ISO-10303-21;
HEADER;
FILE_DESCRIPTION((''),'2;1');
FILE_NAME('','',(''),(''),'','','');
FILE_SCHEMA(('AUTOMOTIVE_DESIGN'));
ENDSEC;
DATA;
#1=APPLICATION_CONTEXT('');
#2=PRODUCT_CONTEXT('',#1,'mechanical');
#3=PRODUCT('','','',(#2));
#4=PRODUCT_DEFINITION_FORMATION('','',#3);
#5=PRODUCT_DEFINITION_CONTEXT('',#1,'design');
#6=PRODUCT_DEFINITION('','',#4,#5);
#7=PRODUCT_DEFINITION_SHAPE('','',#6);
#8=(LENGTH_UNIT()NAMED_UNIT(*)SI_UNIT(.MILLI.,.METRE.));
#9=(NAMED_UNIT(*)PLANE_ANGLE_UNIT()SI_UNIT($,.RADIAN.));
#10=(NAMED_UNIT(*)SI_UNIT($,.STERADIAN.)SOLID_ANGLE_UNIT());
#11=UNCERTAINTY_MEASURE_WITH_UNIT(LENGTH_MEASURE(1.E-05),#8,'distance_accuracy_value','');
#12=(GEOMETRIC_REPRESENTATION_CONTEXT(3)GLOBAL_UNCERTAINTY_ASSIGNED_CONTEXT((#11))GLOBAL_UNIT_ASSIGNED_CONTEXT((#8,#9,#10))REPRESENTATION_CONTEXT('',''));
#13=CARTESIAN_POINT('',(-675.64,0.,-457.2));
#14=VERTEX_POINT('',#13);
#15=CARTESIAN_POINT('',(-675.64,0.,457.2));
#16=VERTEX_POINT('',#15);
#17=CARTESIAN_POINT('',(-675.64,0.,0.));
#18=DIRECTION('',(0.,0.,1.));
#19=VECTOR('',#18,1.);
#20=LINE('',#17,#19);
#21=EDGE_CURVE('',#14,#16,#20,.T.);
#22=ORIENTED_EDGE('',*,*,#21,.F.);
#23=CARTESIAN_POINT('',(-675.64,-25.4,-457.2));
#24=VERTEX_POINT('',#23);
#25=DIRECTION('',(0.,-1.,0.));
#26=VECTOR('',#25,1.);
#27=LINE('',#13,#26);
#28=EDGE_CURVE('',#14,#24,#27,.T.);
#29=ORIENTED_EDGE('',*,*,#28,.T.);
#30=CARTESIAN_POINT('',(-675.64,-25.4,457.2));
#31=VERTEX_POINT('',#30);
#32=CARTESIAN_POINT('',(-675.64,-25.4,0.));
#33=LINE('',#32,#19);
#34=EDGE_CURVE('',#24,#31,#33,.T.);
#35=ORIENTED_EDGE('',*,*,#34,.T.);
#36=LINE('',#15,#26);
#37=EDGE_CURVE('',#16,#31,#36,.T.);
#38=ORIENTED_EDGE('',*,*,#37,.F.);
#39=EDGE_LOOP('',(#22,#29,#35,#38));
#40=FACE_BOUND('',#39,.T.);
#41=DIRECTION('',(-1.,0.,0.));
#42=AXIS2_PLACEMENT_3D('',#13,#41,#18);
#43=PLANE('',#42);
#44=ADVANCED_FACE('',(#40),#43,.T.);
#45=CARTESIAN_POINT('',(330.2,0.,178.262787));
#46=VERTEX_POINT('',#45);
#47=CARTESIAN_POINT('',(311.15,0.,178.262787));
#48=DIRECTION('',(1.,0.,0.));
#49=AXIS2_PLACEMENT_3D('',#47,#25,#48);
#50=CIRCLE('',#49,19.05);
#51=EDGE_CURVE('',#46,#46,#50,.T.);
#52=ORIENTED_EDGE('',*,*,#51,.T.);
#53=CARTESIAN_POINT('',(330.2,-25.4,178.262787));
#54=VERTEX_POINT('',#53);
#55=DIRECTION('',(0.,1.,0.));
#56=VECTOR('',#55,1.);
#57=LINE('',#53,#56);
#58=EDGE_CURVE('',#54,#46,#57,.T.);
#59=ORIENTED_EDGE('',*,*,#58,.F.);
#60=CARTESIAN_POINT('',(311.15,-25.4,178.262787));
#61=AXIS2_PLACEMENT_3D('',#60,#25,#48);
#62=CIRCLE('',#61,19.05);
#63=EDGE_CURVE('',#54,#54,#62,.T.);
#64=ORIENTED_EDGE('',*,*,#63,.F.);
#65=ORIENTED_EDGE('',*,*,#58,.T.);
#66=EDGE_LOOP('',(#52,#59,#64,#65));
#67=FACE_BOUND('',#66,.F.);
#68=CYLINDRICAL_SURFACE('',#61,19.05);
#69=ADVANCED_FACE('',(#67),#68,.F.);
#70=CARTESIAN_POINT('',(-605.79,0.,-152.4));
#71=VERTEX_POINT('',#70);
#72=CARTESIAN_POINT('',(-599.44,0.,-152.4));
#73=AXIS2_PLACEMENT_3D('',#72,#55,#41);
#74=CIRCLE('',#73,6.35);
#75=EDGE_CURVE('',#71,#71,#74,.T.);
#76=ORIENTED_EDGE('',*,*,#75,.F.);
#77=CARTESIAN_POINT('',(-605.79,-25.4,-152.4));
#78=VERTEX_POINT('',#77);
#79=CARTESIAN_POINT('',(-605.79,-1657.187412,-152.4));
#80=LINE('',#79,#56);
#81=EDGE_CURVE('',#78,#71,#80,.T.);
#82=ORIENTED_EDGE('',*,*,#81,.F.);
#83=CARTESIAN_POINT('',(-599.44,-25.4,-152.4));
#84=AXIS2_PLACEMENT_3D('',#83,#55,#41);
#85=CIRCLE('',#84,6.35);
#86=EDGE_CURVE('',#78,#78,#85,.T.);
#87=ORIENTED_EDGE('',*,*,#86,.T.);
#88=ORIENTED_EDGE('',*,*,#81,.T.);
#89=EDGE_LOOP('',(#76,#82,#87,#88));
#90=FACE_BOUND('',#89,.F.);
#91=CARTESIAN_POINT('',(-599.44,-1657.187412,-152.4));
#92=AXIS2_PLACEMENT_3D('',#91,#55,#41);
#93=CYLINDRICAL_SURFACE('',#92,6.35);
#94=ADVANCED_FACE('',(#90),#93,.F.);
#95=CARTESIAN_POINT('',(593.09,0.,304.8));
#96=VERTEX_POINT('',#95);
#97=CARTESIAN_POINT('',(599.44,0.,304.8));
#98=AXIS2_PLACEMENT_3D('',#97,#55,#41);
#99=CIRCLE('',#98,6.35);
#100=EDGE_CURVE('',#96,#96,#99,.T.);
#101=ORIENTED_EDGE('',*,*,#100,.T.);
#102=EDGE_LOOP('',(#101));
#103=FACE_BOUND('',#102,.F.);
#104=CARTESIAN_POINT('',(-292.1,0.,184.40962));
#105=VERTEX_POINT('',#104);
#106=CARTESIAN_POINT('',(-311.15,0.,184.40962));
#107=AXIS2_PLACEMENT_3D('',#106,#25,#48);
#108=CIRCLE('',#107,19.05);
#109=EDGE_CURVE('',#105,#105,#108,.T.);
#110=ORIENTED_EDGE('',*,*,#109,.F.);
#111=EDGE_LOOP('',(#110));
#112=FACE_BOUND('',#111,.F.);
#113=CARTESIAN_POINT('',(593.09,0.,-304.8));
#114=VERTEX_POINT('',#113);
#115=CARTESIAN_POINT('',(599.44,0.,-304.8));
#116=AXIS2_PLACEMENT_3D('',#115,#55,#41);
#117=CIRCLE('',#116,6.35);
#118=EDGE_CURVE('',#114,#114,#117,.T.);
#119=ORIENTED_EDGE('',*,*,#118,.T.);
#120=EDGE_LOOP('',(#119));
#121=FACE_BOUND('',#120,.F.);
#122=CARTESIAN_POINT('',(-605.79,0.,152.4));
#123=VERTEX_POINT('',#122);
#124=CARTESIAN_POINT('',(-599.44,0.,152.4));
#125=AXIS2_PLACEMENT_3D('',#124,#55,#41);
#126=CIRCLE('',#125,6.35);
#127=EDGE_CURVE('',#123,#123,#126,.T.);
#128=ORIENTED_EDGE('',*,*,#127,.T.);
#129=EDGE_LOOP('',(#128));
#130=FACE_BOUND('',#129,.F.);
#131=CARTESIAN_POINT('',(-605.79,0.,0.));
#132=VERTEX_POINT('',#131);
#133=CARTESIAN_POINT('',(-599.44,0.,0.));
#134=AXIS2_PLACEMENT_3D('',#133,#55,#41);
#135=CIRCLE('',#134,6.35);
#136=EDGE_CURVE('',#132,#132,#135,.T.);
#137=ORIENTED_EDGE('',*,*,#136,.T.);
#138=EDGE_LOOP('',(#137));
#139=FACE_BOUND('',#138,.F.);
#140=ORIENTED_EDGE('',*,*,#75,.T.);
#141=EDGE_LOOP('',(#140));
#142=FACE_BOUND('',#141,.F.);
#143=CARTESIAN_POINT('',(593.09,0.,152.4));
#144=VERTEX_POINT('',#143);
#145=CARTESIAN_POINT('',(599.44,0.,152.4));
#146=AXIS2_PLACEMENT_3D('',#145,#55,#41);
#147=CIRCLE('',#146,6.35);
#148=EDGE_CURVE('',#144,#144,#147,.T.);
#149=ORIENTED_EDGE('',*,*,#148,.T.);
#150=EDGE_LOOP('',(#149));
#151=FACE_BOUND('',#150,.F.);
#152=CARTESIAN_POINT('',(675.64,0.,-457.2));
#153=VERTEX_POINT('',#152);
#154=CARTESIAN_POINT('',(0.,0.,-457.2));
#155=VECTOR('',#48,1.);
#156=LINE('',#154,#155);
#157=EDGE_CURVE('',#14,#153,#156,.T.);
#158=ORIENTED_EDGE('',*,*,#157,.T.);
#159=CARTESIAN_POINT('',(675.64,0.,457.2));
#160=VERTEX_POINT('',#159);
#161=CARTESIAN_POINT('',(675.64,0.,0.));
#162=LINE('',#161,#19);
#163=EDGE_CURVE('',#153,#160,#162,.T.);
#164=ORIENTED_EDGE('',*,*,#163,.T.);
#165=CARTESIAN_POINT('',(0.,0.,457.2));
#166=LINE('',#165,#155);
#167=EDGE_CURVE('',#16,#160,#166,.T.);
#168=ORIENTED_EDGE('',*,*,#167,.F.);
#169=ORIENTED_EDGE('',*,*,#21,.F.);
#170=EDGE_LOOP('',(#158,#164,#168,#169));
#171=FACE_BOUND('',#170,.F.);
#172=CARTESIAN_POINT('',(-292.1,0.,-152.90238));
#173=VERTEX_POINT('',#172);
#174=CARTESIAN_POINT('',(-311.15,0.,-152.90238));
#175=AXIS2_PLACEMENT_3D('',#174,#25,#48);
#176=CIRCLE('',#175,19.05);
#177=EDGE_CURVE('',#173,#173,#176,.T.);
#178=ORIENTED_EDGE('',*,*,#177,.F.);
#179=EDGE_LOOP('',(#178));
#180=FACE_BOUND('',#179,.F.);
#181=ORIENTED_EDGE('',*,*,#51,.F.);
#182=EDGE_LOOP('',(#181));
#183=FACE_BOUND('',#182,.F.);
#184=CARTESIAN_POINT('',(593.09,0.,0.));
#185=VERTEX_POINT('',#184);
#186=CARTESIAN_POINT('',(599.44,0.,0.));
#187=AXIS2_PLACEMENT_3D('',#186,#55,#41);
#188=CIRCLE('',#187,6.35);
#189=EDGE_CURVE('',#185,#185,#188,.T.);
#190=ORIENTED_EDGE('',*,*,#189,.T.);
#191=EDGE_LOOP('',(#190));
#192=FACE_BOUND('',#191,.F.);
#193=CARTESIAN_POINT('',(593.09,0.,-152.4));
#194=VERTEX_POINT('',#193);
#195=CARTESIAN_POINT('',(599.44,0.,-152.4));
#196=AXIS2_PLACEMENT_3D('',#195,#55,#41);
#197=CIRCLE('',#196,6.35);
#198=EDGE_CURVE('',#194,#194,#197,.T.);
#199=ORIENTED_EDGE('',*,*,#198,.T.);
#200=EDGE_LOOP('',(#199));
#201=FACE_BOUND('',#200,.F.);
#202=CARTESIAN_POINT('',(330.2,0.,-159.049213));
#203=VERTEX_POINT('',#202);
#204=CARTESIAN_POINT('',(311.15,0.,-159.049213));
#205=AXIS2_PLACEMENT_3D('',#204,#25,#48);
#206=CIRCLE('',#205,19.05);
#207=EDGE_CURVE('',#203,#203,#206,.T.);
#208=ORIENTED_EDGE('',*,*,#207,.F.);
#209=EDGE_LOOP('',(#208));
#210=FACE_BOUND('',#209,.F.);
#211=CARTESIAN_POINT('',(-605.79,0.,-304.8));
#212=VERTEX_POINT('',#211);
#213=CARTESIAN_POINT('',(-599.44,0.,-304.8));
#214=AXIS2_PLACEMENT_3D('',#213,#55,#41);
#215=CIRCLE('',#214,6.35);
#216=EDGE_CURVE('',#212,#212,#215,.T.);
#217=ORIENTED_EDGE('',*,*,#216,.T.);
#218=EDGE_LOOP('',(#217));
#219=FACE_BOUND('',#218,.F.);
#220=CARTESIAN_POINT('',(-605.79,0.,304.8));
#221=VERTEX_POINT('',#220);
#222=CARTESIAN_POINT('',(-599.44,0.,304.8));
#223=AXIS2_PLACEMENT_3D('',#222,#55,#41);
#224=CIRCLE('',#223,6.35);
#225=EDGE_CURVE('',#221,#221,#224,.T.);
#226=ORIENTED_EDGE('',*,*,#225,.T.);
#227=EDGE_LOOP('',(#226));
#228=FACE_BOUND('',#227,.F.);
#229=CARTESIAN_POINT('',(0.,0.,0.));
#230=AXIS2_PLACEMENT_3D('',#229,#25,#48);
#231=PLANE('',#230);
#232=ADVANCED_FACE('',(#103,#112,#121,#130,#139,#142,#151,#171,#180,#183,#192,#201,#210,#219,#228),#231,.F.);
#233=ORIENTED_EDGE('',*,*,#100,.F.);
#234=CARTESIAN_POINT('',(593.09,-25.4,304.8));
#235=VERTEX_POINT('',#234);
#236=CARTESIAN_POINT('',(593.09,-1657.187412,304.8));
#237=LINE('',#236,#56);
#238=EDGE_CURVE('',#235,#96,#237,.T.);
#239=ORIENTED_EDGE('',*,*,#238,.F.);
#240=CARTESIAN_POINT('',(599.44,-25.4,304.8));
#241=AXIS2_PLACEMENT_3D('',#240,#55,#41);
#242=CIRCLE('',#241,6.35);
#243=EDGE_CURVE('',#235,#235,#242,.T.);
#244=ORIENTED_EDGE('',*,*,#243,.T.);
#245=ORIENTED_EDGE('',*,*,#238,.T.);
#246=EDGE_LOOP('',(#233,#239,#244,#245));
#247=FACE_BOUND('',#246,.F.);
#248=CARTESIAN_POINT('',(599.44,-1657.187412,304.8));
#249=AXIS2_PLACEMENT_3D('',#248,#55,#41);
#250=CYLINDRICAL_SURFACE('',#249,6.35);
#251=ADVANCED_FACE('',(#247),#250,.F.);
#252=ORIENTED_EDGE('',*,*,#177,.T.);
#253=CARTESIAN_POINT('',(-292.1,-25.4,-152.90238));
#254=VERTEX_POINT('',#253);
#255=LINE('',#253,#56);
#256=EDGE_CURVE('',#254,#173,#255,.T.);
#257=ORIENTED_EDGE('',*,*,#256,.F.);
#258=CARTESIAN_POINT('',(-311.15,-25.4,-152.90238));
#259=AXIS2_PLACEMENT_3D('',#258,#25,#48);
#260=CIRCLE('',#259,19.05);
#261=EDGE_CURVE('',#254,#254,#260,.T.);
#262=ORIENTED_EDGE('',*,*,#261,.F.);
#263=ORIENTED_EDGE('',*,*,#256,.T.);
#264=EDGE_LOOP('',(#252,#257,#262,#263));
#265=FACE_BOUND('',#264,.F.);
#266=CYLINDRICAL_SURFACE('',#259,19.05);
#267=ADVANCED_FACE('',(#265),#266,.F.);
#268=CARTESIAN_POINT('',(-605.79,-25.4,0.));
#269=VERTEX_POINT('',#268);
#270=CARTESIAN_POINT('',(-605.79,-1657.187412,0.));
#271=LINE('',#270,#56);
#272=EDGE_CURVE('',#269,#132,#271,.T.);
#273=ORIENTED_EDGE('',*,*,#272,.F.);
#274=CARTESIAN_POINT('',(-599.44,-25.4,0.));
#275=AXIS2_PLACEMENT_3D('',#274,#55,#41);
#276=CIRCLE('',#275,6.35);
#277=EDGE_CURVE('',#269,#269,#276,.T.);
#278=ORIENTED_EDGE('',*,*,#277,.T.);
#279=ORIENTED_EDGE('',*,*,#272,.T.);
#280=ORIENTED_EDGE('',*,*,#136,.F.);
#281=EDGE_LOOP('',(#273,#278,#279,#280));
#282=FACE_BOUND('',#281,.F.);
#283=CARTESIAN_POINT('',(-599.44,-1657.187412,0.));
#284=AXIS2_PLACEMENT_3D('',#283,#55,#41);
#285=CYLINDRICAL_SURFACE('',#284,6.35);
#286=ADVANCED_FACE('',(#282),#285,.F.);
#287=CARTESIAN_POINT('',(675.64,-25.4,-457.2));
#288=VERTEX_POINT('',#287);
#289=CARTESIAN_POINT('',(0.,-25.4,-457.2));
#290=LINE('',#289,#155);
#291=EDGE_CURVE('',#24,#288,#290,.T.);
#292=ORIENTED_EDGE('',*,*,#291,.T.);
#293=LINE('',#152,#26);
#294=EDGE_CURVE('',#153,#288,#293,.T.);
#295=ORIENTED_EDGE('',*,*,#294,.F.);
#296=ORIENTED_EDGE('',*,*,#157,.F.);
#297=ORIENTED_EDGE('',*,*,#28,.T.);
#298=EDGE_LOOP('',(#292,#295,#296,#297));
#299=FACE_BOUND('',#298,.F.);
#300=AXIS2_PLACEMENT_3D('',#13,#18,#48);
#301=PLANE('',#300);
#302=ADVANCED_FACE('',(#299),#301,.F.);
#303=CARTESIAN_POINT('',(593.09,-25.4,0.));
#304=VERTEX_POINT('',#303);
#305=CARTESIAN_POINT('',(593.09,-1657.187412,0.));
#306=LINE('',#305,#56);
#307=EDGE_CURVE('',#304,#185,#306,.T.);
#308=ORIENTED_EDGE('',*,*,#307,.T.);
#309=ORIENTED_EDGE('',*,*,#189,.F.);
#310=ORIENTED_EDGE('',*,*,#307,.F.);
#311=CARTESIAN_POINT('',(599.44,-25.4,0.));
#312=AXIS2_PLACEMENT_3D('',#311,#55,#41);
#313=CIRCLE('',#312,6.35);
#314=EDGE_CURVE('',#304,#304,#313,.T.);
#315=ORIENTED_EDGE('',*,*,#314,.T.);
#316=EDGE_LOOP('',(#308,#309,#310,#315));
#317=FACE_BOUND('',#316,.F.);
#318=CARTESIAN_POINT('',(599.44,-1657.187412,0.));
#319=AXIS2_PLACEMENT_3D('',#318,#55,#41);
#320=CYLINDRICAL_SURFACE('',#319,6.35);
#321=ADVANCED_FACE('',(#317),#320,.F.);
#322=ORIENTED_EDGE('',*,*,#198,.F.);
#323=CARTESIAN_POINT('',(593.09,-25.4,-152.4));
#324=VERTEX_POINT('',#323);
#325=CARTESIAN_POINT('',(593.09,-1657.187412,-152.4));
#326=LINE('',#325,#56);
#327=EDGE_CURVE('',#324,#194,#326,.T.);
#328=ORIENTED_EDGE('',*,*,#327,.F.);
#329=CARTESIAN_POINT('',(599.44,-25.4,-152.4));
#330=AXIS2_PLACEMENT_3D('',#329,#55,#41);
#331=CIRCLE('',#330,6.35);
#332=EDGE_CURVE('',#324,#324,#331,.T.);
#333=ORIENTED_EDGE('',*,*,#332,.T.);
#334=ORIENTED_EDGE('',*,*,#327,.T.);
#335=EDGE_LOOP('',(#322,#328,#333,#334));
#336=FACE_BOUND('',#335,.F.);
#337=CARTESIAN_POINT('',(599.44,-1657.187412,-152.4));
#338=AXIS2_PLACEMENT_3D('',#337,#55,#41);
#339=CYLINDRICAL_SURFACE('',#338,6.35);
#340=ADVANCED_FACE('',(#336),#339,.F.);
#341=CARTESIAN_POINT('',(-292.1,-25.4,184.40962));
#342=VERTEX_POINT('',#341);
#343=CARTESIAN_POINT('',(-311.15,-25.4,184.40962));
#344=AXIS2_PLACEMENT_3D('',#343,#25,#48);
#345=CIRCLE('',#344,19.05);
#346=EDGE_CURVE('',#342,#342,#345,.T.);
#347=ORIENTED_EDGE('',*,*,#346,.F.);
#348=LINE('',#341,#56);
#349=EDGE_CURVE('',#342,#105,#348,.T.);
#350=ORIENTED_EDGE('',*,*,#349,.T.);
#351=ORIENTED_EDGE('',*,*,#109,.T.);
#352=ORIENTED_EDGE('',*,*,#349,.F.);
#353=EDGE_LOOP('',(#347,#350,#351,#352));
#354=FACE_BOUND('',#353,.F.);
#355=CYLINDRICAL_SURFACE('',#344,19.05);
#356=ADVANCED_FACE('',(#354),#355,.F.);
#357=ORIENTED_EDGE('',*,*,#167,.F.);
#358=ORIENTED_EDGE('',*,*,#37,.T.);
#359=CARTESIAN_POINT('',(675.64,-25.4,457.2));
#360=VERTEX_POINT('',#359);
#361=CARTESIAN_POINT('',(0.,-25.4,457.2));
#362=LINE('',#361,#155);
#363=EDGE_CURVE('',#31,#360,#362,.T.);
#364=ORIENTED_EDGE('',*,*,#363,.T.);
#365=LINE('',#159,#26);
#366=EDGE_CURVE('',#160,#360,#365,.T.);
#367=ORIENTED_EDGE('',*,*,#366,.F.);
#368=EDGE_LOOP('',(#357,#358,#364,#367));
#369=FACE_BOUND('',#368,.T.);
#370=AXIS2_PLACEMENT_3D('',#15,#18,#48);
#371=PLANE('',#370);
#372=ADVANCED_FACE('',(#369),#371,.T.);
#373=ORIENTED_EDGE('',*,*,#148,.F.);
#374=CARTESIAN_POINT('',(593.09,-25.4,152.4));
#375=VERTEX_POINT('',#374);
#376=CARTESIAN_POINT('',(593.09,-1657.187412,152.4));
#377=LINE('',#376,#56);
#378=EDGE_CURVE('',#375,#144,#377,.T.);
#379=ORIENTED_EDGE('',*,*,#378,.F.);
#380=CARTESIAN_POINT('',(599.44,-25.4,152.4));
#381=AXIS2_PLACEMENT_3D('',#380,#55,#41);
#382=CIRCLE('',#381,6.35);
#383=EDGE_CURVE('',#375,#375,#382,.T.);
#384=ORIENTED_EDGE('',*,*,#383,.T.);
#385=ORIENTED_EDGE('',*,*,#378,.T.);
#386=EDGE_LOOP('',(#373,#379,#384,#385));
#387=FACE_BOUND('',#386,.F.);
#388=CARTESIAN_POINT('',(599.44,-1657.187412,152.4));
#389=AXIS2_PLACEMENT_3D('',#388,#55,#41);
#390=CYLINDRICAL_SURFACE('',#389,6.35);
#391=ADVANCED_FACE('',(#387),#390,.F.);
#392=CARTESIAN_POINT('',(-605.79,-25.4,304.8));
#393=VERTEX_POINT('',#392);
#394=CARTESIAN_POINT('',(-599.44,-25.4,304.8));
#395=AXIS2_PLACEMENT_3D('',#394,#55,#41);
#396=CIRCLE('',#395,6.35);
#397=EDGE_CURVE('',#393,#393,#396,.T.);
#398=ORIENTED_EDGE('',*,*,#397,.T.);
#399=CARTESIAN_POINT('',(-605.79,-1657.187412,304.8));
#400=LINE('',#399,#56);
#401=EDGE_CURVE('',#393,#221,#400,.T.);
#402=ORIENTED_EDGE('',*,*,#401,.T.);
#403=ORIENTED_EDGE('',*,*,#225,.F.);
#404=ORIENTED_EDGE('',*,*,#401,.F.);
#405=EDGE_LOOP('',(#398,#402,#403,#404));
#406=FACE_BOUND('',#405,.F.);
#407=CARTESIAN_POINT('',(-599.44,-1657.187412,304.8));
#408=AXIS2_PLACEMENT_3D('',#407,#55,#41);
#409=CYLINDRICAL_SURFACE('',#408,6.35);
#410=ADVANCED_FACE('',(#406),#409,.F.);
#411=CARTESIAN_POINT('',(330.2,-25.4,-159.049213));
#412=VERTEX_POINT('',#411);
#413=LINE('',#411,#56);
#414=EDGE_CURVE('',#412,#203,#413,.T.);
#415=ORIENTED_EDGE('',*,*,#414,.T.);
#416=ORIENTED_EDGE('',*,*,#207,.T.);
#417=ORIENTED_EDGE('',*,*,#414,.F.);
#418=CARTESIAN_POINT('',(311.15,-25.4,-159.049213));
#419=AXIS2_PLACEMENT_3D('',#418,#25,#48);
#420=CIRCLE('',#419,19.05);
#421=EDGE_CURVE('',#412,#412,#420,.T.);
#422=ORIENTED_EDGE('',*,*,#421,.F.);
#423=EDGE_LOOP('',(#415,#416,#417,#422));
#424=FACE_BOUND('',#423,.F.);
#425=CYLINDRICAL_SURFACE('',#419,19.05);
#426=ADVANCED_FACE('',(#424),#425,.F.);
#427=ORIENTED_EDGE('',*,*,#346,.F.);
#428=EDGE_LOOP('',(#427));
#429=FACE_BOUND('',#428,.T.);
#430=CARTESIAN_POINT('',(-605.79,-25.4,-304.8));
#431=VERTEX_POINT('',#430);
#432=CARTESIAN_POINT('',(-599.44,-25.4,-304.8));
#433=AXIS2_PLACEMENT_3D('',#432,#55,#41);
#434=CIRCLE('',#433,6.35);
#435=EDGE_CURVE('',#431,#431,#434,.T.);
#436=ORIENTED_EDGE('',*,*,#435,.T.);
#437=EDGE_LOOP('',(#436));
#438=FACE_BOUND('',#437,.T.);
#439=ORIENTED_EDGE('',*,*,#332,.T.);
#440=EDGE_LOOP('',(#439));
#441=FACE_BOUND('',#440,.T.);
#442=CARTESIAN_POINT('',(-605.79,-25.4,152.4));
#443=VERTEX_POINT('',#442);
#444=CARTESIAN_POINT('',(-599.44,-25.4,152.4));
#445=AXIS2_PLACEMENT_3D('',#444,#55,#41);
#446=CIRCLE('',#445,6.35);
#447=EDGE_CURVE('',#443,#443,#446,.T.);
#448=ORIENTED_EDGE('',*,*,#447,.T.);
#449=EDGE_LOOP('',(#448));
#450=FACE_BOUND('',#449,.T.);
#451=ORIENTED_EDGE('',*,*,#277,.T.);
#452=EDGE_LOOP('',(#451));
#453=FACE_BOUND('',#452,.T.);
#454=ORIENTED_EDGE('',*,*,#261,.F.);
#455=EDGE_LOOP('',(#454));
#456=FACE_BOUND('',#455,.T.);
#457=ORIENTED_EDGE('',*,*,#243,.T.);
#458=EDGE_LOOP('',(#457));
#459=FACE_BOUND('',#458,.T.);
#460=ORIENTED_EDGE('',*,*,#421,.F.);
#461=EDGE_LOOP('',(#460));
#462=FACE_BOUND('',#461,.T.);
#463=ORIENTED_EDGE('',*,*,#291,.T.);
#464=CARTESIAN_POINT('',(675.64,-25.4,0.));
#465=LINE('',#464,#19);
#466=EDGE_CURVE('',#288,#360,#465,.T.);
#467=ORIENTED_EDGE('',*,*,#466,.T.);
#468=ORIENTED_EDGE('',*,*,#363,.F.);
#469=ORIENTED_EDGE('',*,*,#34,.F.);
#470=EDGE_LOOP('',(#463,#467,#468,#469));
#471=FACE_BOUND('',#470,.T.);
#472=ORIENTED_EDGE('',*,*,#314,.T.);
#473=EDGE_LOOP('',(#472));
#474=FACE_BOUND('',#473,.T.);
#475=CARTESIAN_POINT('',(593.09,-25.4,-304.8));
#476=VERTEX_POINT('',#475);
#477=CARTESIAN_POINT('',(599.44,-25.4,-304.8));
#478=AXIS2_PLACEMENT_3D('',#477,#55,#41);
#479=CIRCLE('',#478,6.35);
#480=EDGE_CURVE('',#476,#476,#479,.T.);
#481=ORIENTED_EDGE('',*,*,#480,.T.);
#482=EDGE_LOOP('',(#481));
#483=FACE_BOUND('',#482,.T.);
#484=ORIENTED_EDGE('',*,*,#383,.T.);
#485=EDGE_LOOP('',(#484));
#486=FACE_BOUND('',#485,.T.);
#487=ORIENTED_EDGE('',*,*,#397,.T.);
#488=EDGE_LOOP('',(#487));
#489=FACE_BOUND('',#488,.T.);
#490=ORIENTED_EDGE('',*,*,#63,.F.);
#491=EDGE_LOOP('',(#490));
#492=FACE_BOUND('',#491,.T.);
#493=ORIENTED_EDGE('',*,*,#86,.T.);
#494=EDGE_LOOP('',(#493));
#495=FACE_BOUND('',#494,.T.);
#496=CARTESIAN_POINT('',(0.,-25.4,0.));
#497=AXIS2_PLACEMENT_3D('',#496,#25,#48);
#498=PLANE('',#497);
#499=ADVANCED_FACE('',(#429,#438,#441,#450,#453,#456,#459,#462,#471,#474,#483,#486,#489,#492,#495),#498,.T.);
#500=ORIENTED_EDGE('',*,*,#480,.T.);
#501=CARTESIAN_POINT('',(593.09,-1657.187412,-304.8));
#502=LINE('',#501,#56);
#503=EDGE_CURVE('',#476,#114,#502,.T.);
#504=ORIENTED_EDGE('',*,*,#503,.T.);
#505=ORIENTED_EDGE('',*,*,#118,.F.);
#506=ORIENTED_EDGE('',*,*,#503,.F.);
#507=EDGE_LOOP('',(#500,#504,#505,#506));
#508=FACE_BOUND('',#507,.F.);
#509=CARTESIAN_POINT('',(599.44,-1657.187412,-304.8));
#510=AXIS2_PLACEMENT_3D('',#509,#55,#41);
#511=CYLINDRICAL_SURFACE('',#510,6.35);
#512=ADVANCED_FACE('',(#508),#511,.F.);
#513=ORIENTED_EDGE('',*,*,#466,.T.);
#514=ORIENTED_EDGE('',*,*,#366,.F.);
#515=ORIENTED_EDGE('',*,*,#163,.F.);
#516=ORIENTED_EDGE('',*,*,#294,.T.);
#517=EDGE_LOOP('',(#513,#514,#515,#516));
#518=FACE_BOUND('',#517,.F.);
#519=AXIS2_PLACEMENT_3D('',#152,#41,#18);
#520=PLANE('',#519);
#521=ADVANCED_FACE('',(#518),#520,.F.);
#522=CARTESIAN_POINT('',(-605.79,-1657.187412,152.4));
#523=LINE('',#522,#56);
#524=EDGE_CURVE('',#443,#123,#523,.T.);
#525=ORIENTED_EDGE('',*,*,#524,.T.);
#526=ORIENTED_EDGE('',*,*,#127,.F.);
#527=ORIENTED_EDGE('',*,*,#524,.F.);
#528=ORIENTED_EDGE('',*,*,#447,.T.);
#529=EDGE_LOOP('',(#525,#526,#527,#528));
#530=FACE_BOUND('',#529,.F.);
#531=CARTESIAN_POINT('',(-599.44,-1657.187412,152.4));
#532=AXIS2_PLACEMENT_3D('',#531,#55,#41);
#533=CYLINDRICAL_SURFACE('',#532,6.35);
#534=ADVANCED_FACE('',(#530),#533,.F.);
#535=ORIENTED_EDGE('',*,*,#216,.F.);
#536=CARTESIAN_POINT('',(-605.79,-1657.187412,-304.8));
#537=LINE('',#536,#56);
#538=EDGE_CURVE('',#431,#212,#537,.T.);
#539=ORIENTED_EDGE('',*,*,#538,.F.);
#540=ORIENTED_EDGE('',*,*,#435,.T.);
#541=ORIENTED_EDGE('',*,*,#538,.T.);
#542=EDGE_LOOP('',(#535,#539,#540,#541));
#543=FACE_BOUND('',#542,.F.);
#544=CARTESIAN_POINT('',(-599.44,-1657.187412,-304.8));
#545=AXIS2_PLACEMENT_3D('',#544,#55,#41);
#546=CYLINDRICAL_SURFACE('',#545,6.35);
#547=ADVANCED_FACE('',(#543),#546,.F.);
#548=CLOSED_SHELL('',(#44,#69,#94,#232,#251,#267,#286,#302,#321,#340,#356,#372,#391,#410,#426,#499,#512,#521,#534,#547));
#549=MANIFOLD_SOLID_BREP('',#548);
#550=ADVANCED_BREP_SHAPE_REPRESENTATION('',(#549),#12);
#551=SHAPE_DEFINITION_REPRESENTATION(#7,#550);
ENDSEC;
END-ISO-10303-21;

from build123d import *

# Parameters (mm, degrees)
F0_W     = 1351.28
F0_H     = 914.4
F1_DEPTH = 25.4
F3_D     = 12.7
F4_R     = 19.05
F5_DEPTH = 127


with BuildPart() as f1:
    # F0 (on Front) → F1 (new body)
    with BuildSketch(Plane.XZ):
        Rectangle(F0_W, F0_H)
    extrude(amount=F1_DEPTH)

    # F3 (through all)
    with Locations(Plane.XZ.offset(25.4)):
        with Locations((-599.44, -152.4), (-599.44, 0), (-599.44, 152.4), (-599.44, 304.8), (-599.44, -304.8), (599.44, 304.8), (599.44, 152.4), (599.44, 0), (599.44, -152.4), (599.44, -304.8)):
            Hole(F3_D / 2)

    # F4 (on face) → F5 (cut)
    with BuildSketch(Plane.XZ.offset(25.4)):
        with Locations((-311.15, 184.40962)):
            Circle(F4_R)
        with Locations((-311.15, -152.90238)):
            Circle(F4_R)
        with Locations((311.15, -159.049213)):
            Circle(F4_R)
        with Locations((311.15, 178.262787)):
            Circle(F4_R)
    extrude(amount=-F5_DEPTH, mode=Mode.SUBTRACT)


solid = f1.part
